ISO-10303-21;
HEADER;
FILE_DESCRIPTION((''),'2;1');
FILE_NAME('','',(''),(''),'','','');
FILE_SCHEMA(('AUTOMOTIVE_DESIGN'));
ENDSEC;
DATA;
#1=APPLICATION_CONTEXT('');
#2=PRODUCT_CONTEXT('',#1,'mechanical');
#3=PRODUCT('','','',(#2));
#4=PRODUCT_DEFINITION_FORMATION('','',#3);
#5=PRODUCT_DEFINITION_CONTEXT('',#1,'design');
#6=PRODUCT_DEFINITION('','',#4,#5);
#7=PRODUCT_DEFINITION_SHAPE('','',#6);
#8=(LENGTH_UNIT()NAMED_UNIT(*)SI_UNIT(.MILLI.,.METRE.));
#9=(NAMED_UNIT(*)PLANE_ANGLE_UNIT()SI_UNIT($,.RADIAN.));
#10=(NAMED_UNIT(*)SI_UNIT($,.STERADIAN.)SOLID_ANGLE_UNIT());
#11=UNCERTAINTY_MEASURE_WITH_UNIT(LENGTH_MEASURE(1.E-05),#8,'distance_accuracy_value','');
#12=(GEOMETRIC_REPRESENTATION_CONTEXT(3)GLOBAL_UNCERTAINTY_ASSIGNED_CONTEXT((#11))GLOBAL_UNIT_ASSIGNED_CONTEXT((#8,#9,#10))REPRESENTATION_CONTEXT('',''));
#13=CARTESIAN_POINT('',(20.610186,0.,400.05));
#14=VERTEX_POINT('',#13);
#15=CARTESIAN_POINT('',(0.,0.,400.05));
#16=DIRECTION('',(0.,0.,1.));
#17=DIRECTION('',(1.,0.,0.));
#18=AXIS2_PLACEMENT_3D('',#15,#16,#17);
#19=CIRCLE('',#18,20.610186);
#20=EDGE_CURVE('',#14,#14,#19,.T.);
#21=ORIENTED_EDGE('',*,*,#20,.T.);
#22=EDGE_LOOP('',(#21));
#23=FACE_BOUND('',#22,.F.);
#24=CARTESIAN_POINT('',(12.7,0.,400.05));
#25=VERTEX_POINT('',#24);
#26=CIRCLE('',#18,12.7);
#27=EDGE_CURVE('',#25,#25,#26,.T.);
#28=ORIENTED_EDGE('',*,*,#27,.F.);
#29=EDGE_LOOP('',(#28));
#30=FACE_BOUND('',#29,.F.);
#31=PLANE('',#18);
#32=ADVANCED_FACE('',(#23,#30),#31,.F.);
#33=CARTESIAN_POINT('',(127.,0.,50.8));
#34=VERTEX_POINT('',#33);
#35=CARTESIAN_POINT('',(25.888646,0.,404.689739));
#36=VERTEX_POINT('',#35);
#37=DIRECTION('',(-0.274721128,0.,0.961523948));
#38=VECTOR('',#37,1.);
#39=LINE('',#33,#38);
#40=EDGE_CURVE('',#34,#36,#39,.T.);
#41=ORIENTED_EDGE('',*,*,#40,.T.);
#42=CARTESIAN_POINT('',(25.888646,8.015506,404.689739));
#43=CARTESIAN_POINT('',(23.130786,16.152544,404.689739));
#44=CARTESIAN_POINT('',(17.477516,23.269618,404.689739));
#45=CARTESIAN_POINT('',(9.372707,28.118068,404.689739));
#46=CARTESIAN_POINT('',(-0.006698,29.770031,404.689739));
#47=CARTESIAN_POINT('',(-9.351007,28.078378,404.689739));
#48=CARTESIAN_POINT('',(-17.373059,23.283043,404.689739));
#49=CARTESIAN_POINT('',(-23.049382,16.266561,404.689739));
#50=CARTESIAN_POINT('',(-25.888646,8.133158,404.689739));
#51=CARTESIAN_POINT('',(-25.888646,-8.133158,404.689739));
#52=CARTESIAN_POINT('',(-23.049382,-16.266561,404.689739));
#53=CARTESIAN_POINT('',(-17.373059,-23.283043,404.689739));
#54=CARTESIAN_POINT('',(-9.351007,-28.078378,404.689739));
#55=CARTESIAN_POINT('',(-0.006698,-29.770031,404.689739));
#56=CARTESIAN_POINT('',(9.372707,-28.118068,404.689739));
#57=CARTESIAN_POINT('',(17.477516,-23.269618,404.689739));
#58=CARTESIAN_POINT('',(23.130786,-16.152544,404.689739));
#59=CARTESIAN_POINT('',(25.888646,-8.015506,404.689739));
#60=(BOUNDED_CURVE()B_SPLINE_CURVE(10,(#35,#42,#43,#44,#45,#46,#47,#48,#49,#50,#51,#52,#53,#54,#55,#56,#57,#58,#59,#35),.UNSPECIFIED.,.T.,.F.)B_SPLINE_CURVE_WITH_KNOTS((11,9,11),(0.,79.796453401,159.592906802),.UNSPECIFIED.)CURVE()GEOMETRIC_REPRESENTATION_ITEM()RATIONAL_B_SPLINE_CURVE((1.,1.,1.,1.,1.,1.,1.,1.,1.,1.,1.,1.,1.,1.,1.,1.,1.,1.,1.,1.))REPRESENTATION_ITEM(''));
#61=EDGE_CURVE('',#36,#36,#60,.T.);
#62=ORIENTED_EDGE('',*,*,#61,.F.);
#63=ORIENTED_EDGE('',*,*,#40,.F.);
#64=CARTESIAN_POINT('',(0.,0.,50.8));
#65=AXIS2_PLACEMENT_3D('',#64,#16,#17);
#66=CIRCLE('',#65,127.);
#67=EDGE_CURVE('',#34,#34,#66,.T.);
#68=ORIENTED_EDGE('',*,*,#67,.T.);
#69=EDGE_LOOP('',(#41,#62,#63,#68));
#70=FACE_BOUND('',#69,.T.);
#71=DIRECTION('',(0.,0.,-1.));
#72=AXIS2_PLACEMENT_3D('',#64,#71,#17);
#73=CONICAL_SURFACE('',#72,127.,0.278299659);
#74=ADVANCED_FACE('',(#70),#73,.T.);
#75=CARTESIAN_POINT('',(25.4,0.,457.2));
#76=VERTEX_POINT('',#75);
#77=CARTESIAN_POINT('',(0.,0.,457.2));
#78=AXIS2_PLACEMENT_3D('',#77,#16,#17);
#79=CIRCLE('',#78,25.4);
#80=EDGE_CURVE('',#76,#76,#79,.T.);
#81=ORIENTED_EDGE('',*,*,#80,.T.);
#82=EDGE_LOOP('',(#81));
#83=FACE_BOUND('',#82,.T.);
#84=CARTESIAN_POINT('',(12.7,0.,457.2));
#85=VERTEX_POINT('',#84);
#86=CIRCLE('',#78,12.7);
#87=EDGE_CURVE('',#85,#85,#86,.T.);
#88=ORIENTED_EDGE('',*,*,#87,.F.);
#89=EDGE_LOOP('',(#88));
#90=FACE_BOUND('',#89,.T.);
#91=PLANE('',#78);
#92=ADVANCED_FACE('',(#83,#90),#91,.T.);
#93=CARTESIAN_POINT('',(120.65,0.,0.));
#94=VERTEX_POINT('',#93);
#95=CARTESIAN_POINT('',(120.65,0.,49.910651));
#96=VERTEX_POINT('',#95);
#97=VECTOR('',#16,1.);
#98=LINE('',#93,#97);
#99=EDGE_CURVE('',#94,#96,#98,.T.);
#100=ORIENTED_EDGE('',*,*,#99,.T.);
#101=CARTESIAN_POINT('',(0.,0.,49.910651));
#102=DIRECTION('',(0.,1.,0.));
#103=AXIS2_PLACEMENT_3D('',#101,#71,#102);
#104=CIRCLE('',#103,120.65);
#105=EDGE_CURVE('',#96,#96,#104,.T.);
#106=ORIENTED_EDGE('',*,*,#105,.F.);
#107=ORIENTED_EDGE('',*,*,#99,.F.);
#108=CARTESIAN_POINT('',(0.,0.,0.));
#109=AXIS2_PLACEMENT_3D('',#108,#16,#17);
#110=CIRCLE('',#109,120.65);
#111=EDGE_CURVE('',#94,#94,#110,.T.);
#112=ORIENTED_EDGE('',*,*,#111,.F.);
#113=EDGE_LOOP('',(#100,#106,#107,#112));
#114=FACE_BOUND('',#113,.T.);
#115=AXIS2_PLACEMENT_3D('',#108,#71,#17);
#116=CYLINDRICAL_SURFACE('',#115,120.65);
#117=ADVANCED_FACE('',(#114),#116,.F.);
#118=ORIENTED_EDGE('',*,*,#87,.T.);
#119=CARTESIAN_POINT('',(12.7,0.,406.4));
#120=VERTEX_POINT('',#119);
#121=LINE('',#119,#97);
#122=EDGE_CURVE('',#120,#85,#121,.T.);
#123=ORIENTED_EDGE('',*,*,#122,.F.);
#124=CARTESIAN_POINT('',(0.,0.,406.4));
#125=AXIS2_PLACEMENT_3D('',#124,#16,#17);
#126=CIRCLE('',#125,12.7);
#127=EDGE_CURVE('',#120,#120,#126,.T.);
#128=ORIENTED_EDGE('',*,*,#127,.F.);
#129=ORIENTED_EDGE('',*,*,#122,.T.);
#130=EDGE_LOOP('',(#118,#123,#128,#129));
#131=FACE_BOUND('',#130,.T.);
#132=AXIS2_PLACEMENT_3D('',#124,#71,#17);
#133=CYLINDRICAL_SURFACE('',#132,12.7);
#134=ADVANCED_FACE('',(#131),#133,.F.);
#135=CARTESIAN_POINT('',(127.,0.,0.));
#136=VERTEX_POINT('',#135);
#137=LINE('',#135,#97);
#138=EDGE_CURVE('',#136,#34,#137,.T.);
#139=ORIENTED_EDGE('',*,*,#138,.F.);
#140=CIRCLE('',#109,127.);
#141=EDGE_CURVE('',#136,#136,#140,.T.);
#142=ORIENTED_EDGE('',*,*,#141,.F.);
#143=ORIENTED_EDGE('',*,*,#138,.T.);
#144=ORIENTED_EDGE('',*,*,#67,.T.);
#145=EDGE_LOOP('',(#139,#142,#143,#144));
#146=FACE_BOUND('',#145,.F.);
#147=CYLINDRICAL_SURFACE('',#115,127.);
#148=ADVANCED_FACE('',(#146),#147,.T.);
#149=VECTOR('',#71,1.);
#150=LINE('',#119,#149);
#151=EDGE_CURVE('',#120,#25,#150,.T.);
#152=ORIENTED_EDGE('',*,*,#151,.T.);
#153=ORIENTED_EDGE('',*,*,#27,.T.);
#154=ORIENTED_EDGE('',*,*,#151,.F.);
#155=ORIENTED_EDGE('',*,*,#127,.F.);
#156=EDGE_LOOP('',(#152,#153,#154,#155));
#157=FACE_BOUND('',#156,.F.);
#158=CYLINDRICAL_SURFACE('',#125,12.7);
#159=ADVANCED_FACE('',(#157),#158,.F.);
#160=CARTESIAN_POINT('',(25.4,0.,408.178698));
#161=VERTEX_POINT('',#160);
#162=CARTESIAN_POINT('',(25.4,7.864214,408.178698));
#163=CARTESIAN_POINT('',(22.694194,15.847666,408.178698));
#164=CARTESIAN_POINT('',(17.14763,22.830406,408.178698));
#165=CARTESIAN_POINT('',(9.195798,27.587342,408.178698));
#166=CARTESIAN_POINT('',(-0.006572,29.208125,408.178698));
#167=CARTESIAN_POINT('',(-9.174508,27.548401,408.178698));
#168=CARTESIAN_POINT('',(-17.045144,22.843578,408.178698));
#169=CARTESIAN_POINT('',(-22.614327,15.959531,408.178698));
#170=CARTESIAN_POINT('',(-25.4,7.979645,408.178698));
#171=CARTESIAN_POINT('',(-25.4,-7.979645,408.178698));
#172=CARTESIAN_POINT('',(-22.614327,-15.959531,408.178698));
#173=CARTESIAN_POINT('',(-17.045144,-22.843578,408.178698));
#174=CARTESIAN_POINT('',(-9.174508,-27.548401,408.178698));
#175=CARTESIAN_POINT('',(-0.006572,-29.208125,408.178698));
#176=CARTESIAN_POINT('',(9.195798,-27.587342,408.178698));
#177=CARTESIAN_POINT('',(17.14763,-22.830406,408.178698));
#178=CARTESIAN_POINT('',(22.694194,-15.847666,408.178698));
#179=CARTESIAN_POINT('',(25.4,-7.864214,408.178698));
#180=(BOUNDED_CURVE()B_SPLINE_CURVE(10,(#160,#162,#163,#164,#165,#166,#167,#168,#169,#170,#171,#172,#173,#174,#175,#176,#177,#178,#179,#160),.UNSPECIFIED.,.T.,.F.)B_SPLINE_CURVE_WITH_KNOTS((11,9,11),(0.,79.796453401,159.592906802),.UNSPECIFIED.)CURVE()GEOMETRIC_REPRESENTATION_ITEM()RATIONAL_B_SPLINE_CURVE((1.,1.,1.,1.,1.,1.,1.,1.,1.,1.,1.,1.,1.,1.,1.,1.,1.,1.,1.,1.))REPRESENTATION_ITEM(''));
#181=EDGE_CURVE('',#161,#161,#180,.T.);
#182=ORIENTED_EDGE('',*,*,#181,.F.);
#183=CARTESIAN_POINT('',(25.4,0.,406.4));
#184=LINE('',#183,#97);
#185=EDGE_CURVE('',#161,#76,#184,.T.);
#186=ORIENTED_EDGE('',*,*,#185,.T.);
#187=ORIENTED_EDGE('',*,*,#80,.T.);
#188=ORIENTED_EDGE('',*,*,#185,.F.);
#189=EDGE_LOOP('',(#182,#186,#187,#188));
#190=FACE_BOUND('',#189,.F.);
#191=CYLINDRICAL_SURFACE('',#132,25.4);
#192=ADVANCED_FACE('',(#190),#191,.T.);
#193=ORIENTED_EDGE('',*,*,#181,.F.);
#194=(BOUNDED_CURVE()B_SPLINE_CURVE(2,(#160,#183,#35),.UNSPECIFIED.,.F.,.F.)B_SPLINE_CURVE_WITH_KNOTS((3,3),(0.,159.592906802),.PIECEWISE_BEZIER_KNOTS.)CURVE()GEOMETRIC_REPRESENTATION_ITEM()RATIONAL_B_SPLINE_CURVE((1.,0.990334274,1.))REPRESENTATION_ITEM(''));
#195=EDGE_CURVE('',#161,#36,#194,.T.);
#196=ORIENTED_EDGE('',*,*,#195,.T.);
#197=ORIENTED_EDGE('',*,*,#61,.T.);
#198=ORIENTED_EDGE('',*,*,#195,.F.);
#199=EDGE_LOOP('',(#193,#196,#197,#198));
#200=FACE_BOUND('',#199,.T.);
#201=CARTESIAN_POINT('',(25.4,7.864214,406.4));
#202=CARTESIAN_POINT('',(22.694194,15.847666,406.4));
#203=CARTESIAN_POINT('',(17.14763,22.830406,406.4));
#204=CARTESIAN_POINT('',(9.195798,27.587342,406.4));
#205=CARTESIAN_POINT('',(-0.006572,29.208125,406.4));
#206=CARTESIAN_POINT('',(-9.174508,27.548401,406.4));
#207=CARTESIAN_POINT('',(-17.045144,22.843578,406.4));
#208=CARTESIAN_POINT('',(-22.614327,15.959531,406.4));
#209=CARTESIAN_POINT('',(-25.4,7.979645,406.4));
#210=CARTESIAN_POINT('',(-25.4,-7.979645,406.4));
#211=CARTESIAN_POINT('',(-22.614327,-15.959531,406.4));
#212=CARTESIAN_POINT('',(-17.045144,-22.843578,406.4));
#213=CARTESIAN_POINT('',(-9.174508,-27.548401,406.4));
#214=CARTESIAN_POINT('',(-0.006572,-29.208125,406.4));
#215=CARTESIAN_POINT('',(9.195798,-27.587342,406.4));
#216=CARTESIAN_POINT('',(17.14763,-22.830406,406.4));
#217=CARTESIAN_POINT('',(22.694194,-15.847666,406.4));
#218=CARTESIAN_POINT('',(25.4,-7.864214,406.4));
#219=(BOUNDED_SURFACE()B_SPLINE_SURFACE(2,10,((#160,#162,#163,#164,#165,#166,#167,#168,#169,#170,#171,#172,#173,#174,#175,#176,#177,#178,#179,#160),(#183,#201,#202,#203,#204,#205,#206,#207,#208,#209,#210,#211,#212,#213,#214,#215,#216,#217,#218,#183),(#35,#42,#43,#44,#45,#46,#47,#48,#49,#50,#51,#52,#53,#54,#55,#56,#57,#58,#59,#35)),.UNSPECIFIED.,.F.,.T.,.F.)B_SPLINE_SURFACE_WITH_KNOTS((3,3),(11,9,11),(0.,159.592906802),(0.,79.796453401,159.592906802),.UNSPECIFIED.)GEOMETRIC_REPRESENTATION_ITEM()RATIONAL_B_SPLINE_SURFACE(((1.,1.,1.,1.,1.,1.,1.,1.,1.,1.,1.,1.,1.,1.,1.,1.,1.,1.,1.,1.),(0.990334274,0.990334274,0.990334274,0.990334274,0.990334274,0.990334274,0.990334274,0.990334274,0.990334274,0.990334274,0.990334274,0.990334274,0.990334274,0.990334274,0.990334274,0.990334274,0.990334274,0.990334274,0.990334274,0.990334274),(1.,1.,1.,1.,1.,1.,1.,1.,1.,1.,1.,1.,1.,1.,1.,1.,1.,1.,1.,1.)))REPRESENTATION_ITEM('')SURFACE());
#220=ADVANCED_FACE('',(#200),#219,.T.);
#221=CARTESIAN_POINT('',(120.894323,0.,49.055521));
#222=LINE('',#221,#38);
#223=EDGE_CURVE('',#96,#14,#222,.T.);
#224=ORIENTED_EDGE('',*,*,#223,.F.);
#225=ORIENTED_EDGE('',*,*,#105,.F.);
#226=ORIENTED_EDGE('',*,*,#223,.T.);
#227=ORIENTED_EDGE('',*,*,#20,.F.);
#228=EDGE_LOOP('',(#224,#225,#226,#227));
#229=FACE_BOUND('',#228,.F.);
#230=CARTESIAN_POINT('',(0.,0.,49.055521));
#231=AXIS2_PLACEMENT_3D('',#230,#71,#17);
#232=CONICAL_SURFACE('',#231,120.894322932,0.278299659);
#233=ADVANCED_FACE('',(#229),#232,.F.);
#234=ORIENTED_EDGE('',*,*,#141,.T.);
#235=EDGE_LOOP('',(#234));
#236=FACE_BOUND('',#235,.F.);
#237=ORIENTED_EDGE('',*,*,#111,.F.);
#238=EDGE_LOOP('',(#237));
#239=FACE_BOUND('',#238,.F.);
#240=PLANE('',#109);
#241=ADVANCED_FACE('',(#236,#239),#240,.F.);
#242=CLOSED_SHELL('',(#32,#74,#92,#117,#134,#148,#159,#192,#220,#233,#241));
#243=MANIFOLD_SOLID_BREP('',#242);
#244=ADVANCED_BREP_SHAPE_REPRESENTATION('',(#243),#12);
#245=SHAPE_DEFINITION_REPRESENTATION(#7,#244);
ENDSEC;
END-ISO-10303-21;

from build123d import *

# Parameters (mm, degrees)
F0_R     = 127
F1_DEPTH = 406.4
F2_SIZE2 = 101.6
F2_SIZE  = 355.6
F3_T     = -6.35
F4_R     = 12.7
F5_DEPTH = 25.4
F6_R     = 25.4
F6_R_2   = 12.7
F7_DEPTH = 50.8
F8_R     = 12.7


with BuildPart() as f1:
    # F0 (on Top) → F1 (new body)
    with BuildSketch(Plane.XY):
        Circle(F0_R)
    extrude(amount=F1_DEPTH)

    # F2
    f2_edges = [f1.edges().sort_by_distance(p)[0] for p in [
        (-127, 0, 406.4),
    ]]
    f2_side = f1.faces().sort_by_distance((-127, 0, 203.2))[0]
    chamfer(f2_edges, length=F2_SIZE, length2=F2_SIZE2, reference=f2_side)

    # F3
    f3_openings = [f1.faces().sort_by_distance(p)[0] for p in [
        (0, 0, 0),
    ]]
    offset(amount=F3_T, openings=f3_openings)

    # F4 (on face) → F5 (cut)
    with BuildSketch(Plane.XY.offset(406.4)):
        Circle(F4_R)
    extrude(amount=-F5_DEPTH, mode=Mode.SUBTRACT)

    # F6 (on face) → F7 (join)
    with BuildSketch(Plane.XY.offset(406.4)):
        Circle(F6_R)
        Circle(F6_R_2, mode=Mode.SUBTRACT)
    extrude(amount=F7_DEPTH)

    # F8
    f8_edges = [f1.edges().sort_by_distance(p)[0] for p in [
        (-25.4, 0, 406.4),
    ]]
    fillet(f8_edges, radius=F8_R)


solid = f1.part
